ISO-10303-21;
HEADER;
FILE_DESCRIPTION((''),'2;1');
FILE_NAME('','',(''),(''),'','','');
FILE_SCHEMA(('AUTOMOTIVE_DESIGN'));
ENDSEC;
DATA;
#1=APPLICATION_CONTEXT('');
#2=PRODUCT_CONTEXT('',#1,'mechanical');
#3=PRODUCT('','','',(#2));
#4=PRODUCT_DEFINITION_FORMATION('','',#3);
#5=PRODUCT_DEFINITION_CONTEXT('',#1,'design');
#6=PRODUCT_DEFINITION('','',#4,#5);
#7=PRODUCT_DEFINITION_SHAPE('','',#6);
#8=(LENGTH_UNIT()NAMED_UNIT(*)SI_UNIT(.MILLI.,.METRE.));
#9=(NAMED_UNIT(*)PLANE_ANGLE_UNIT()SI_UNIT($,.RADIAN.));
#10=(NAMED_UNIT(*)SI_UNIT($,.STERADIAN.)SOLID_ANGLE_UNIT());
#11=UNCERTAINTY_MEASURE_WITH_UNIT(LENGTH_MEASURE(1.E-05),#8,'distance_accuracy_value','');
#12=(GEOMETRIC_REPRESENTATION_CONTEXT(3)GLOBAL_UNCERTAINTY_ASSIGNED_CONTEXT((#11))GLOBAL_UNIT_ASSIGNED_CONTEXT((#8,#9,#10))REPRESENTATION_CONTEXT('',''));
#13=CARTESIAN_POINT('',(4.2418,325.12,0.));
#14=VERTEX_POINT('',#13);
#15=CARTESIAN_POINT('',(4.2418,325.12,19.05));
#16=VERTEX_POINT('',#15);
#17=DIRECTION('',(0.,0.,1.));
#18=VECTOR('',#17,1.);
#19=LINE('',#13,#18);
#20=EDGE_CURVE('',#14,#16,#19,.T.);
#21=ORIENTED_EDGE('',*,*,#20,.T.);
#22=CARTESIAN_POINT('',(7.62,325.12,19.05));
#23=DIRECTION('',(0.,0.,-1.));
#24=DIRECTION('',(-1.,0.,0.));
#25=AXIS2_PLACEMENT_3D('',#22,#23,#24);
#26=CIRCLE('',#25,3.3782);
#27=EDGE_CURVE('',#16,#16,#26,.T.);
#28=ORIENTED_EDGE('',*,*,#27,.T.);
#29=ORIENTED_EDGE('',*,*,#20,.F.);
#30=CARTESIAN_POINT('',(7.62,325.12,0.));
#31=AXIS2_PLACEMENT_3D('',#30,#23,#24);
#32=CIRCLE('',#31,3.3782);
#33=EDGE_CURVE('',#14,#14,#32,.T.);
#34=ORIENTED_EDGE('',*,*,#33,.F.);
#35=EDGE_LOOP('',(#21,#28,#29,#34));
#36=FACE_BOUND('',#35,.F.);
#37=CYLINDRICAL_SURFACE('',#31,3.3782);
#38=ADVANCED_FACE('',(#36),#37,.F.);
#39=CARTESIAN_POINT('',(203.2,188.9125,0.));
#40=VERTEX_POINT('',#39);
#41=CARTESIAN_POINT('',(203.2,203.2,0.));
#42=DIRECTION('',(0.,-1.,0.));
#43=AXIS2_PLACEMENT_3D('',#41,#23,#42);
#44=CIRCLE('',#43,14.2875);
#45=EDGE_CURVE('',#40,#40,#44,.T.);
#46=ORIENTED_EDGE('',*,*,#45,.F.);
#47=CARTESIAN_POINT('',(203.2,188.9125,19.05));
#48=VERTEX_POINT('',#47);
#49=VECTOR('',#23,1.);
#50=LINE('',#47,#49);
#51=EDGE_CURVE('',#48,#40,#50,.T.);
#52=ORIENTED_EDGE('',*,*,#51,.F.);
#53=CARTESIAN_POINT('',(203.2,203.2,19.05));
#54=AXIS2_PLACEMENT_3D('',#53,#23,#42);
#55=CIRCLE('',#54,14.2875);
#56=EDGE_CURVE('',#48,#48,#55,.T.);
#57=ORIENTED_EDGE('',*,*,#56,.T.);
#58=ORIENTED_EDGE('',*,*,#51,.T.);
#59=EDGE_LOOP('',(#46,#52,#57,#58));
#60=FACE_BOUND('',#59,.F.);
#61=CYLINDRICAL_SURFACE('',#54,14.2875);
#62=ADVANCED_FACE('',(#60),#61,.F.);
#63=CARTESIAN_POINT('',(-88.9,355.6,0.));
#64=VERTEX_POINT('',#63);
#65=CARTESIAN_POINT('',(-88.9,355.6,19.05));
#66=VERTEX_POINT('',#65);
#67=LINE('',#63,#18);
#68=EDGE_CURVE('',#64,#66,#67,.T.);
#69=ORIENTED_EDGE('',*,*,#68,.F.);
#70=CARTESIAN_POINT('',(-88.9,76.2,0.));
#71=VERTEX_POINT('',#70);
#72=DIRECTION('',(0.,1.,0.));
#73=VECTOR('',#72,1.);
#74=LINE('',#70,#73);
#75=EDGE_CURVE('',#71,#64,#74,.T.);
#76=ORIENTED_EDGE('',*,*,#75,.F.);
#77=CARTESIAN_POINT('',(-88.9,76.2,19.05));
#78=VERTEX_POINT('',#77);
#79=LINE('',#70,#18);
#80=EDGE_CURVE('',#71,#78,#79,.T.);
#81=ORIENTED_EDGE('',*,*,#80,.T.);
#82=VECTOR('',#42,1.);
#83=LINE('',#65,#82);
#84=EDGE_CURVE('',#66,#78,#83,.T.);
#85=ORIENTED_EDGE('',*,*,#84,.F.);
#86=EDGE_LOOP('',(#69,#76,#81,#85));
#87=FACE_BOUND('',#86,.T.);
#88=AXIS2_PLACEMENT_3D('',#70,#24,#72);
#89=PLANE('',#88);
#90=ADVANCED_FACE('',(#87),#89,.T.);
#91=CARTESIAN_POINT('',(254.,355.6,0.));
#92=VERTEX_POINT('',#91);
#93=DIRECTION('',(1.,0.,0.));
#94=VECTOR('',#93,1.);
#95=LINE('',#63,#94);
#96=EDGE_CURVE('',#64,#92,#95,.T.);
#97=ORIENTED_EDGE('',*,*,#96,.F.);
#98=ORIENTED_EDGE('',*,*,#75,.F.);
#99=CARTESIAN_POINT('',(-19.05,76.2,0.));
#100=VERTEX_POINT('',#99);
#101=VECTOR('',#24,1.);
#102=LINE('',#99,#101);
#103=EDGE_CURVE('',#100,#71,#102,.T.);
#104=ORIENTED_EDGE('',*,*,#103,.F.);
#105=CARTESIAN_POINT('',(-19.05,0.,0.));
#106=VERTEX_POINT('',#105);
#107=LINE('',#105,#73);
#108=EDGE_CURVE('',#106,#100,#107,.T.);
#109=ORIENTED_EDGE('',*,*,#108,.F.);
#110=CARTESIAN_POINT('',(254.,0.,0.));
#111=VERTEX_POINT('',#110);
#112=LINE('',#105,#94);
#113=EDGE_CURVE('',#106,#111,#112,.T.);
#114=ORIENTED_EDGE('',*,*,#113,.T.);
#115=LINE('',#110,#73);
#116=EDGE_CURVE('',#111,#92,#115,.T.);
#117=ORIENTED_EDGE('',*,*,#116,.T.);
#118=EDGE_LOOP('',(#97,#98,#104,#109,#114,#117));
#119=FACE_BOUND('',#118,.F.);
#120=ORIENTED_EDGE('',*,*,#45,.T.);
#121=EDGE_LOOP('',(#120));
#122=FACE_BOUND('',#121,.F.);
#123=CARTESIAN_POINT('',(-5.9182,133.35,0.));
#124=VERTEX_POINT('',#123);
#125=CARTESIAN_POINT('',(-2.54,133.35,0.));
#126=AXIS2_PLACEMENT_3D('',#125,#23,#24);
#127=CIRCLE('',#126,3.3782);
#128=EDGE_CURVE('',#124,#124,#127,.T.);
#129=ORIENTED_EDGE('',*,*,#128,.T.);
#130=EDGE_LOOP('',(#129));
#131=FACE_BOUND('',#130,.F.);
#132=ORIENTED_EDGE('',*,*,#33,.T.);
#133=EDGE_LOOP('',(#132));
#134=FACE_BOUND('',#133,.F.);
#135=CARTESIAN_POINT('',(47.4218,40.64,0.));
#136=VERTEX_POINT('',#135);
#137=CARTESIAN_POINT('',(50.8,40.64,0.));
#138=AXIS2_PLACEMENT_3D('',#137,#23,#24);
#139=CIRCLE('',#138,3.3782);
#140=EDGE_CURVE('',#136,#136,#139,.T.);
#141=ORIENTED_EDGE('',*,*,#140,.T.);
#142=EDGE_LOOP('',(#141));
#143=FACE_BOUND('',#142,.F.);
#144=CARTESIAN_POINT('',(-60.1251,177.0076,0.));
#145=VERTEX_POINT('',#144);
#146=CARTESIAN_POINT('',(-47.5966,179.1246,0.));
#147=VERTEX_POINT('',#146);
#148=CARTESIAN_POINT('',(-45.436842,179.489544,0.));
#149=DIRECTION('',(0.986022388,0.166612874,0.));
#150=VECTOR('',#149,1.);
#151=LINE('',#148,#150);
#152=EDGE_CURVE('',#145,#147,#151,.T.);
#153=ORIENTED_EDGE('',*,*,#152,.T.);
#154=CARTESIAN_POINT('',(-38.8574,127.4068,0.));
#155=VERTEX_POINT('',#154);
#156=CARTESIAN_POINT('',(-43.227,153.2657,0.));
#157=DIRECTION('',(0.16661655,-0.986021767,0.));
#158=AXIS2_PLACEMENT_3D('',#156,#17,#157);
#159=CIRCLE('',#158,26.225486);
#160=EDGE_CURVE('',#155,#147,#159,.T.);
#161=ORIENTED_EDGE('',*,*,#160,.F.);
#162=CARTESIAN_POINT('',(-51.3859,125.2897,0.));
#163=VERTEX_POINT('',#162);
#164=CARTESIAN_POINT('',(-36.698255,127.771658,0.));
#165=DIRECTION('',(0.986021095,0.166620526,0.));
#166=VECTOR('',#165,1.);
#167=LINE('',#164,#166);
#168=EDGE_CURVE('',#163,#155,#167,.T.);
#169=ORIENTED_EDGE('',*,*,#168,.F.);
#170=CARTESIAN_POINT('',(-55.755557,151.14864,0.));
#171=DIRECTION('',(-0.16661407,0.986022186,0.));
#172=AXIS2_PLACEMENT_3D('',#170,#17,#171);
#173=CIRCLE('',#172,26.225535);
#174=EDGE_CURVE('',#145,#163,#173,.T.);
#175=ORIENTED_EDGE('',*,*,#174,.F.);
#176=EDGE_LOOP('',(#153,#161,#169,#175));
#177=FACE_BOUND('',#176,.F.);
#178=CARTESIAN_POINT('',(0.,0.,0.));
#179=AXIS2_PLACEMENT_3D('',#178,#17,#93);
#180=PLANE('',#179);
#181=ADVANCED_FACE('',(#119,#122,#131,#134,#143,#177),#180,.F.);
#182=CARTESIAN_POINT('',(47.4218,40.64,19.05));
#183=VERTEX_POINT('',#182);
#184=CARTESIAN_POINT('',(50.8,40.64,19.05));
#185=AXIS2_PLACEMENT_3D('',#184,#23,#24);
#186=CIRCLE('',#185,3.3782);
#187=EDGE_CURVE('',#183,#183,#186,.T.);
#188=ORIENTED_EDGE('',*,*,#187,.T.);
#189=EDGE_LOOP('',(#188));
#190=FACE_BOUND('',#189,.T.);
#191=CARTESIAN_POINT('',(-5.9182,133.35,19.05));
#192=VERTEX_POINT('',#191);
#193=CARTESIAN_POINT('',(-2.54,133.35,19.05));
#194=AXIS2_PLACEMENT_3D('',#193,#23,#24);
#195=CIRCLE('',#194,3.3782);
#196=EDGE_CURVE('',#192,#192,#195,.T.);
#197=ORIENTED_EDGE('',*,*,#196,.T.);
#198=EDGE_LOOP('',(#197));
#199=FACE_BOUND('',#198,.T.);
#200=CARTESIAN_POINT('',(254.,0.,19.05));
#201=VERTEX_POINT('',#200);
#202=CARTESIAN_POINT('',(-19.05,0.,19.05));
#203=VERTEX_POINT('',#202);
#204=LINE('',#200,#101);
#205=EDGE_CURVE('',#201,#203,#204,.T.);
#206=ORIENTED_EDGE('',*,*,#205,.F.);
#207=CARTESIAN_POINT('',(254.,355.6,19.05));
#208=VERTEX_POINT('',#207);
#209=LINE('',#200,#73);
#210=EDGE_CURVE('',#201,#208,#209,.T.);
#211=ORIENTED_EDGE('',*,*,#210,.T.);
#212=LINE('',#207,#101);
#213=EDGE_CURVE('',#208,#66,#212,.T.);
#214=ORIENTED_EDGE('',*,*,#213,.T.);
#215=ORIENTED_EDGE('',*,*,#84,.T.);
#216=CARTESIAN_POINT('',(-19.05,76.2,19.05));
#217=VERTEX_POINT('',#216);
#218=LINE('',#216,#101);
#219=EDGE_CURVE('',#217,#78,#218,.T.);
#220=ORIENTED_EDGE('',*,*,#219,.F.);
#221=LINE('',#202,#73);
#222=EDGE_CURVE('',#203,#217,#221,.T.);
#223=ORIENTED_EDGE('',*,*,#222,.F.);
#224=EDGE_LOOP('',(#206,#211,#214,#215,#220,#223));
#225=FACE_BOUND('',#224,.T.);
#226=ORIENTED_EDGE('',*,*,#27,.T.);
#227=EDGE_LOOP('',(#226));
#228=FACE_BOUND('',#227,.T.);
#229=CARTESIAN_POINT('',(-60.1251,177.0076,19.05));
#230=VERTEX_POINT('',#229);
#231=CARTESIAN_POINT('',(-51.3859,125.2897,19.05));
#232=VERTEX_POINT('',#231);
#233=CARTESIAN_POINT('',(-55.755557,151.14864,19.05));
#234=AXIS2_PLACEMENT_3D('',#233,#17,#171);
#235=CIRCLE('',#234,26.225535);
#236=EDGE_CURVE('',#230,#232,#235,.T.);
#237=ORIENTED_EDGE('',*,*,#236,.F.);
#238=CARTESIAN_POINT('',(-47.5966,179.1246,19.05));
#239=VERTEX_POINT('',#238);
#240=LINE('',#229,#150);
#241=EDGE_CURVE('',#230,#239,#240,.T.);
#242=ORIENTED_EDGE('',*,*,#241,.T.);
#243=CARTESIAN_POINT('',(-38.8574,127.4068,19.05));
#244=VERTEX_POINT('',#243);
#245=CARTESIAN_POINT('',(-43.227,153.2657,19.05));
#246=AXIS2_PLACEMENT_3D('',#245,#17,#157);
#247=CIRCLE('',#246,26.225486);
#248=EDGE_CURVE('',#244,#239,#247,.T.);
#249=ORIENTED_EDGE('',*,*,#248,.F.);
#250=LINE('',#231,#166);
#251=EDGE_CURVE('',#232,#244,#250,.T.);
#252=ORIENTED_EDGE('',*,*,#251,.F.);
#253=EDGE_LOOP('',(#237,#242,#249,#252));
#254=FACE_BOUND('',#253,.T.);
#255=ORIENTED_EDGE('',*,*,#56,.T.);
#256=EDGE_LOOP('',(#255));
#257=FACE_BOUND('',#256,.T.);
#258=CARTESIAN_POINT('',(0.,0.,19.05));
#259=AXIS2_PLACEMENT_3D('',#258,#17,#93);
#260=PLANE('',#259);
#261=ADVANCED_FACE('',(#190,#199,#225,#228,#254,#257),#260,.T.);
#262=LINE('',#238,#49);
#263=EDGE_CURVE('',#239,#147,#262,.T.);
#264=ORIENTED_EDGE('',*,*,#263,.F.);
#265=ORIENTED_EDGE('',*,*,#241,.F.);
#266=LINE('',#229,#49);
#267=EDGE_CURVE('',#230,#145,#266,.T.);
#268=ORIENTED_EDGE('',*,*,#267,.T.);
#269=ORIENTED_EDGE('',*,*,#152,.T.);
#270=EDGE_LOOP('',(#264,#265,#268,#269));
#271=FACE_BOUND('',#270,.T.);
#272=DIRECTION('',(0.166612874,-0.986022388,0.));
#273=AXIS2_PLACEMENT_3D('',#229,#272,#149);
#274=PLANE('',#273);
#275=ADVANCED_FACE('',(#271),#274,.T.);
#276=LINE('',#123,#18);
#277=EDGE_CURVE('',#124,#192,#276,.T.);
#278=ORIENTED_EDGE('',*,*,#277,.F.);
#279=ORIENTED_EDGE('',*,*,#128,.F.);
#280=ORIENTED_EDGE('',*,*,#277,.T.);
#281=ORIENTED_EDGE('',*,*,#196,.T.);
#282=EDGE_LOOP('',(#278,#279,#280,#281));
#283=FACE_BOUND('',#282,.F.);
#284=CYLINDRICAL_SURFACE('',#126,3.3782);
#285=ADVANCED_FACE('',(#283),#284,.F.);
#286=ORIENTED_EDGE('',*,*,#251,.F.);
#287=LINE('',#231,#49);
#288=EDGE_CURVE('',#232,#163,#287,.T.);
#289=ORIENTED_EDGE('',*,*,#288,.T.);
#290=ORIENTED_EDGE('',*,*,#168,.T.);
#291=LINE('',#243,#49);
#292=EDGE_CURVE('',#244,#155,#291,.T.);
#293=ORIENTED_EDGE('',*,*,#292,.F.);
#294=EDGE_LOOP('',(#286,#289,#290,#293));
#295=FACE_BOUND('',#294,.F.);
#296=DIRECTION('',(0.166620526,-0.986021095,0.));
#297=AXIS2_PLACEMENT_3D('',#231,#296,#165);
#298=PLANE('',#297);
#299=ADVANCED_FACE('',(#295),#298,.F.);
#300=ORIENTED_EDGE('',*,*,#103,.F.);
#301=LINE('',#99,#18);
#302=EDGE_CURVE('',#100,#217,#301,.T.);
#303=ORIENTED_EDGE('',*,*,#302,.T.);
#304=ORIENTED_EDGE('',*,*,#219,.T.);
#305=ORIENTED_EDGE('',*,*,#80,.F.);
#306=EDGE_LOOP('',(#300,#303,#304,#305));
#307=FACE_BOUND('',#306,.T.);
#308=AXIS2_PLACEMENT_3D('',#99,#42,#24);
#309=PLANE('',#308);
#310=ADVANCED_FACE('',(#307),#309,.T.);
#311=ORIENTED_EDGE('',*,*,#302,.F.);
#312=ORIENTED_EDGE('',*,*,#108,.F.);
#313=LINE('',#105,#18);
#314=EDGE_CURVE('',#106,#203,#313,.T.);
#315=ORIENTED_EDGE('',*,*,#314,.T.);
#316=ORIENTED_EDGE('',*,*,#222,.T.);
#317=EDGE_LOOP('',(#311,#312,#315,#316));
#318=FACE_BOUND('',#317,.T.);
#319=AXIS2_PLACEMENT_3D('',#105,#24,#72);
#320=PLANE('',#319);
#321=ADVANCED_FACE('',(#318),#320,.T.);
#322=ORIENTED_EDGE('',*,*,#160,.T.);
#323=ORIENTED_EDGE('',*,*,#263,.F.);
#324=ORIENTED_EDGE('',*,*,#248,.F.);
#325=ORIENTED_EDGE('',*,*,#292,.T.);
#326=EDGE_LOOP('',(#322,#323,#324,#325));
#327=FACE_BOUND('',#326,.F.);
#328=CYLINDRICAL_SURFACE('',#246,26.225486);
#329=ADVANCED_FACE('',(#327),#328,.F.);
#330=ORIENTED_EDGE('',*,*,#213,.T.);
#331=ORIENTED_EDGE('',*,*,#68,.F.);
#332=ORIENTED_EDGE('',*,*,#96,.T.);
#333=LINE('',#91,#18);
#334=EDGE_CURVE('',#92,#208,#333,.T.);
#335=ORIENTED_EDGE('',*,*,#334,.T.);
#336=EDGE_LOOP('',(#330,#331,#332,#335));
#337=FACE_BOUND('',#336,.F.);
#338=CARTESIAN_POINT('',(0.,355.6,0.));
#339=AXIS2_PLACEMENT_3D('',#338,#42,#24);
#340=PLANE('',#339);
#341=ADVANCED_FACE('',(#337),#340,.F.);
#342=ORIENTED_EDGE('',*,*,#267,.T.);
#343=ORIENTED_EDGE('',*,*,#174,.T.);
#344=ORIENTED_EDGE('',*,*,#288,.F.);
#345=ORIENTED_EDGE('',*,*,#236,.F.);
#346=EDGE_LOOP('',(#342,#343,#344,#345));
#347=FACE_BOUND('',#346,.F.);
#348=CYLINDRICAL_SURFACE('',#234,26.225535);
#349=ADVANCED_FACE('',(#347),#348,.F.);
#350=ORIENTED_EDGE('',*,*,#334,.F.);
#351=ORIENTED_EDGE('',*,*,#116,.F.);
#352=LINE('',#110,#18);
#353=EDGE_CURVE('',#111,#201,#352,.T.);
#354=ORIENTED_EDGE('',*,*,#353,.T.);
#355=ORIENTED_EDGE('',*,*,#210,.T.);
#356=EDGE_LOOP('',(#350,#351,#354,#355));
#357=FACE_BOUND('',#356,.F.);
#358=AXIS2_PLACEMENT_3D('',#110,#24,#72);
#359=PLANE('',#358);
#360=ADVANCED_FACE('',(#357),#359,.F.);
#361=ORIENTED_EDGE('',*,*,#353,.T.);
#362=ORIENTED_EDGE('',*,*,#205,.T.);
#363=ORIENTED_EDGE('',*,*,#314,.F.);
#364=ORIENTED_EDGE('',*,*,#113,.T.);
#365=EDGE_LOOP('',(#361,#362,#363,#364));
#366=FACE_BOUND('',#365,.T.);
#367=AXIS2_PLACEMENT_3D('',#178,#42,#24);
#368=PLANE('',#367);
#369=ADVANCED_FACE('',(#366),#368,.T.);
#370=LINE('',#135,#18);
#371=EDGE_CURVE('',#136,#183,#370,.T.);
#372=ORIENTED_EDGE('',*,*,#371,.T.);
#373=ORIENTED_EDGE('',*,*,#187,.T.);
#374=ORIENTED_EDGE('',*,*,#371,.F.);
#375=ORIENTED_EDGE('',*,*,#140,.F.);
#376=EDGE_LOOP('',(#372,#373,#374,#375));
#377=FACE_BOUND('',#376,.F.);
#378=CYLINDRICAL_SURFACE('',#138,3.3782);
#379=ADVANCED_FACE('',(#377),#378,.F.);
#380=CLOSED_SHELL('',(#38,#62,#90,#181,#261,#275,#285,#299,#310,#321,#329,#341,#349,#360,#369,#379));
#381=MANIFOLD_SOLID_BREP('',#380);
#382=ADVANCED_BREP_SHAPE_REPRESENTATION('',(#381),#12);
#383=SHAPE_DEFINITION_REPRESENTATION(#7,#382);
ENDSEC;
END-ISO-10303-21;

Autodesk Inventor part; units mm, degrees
ref_plane "YZ Plane" through (0, 0, 0) normal (1, 0, 0) x (0, 1, 0)
ref_plane "XZ Plane" through (0, 0, 0) normal (0, 1, 0) x (-1, 0, 0)
ref_plane "XY Plane" through (0, 0, 0) normal (0, 0, 1) x (1, 0, 0)
sketch "Neo Motor Mount" plane through (0, 0, 0) normal (0, 0, 1) x (1, 0, 0)
  line L0 (-30.6788, 181.9654) -> (-23.3726, 145.6169) construction
  line L1 (-43.3455, 180.5359) -> (-35.6081, 142.0424) construction
  arc A0 (-42.1579, 174.6277) -> (-41.2194, 169.9586) centre (-41.6886, 172.2931) ccw
  line L2 (-35.6081, 142.0424) -> (-32.6003, 127.0788) construction
  line L3 (-23.3726, 145.6169) -> (-20.1494, 129.5815) construction
  arc A1 (-35.0803, 139.4164) -> (-34.1417, 134.7473) centre (-34.611, 137.0818) ccw
  arc A2 (-21.6908, 137.25) -> (-22.6293, 141.9191) centre (-22.16, 139.5845) ccw
  line L4 (-35.0803, 139.4164) -> (-22.6293, 141.9191)
  line L5 (-34.1417, 134.7473) -> (-21.6908, 137.25)
  arc A3 (-77.3692, 167.55) -> (-76.4307, 162.8809) centre (-76.9, 165.2155) ccw
  arc A4 (-63.9797, 165.3836) -> (-64.9183, 170.0527) centre (-64.449, 167.7182) ccw
  arc A5 (-70.2916, 132.3387) -> (-69.3531, 127.6696) centre (-69.8223, 130.0042) ccw
  arc A6 (-56.9021, 130.1723) -> (-57.8406, 134.8414) centre (-57.3714, 132.5069) ccw
  line L6 (-70.2916, 132.3387) -> (-57.8406, 134.8414)
  line L7 (-69.3531, 127.6696) -> (-56.9021, 130.1723)
  line L8 (-77.3692, 167.55) -> (-64.9183, 170.0527)
  line L9 (-76.4307, 162.8809) -> (-63.9797, 165.3836)
  arc A7 (-28.7684, 172.4613) -> (-29.7069, 177.1304) centre (-29.2377, 174.7958) ccw
  line L10 (-42.1579, 174.6277) -> (-29.7069, 177.1304)
  line L11 (-41.2194, 169.9586) -> (-28.7684, 172.4613)
  line L12 (-45.711, 165.6236) -> (-40.743, 140.9077) construction
  line L13 (-58.0667, 162.6468) -> (-53.1939, 138.405) construction
  line L14 (-57.5073, 159.8642) -> (-45.1815, 162.9896)
  line L15 (-53.7533, 141.1877) -> (-41.4275, 144.3131)
  arc A8 (-57.5073, 159.8642) -> (-52.8309, 141.4216) centre (-55.6303, 150.5259) ccw
  arc A9 (-46.2915, 152.4) -> (-46.438, 153.0215) centre (-55.6303, 150.5259) ccw
  arc A10 (-49.53, 157.8411) -> (-51.2107, 158.9635) centre (-55.6303, 150.5259) ccw
  arc A11 (-52.747, 152.4) -> (-52.6427, 151.7743) centre (-43.3045, 153.6514) ccw
  arc A12 (-49.53, 160.8603) -> (-51.2107, 158.9635) centre (-43.3045, 153.6514) ccw
  arc A13 (-41.4275, 144.3131) -> (-46.1039, 162.7557) centre (-43.3045, 153.6514) ccw
  dimension "d55" = 4.7625
  dimension "d57" = 4.7625
  dimension "d58" = 4.7625
  dimension "d61" = 4.7625
  dimension "d62" = 4.7625
  dimension "d63" = 4.7625
  dimension "d64" = 4.7625
  dimension "d65" = 4.7625
  dimension "d67" = 24.7159
sketch "Sketch1" plane through (0, 0, 0) normal (0, 0, 1) x (1, 0, 0)
  line L0 (0, 0) -> (254, 0)
  line L1 (254, 0) -> (254, 355.6)
  line L2 (254, 355.6) -> (0, 355.6)
  line L3 (0, 355.6) -> (-88.9, 355.6)
  line L4 (-88.9, 355.6) -> (-88.9, 203.2)
  line L5 (0, 0) -> (-19.05, 0)
  line L6 (-19.05, 0) -> (-19.05, 76.2)
  line L7 (-19.05, 76.2) -> (-88.9, 76.2)
  line L8 (-88.9, 76.2) -> (-88.9, 203.2)
  circle A0 centre (226.06, 181.61) radius 3.3782
  dimension "d29" = 6.7564
  dimension "d0" = 254
  dimension "d1" = 355.6
  dimension "d17" = 88.9
  dimension "d18" = 69.85
  dimension "d19" = 76.2
  dimension "d21" = 6.7564
  dimension "d24" = 173.99
  dimension "d28" = 314.96
extrude "Extrusion1" add sketch "Sketch1" along normal blind 19.05 contours L5 L6 L7 L8 L4 L3 L2 L1 L0 | A0
sketch "Sketch2" plane through (0, 0, 19.05) normal (0, 0, 1) x (1, 0, 0)
  line L0 (0, 0) -> (254, 0) projected
  line L1 (254, 0) -> (254, 355.6) projected
  point P0 (203.2, 203.2)
  dimension "d11" = 203.2
  dimension "d12" = 50.8
hole "Hole1" at (203.2, 203.2, 19.05) direction (0, 0, -1) diameter 28.575 end through all
sketch "Sketch3" plane through (0, 0, 19.05) normal (0, 0, 1) x (1, 0, 0)
  point P0 (0, 0)
sketch "Sketch4" plane through (0, 0, 19.05) normal (0, 0, 1) x (1, 0, 0)
  point P0 (0, 0)
sketch "Sketch5" plane through (0, 0, 0) normal (0, 0, -1) x (-1, 0, 0)
  circle A0 centre (-7.62, 325.12) radius 3.3782
  circle A1 centre (2.54, 133.35) radius 3.3782
  circle A2 centre (-50.8, 40.64) radius 3.3782
  line L0 (-254, 0) -> (-254, 355.6) projected
  line L1 (-254, 355.6) -> (88.9, 355.6) projected
  line L2 (88.9, 76.2) -> (19.05, 76.2) construction
  line L3 (19.05, 76.2) -> (19.05, 374.6855) construction
  line L4 (19.05, 76.2) -> (19.05, 0) construction
  line L5 (19.05, 0) -> (-254, 0) construction
  point P0 (0, 0)
  dimension "d29" = 6.7564
  dimension "d30" = 6.7564
  dimension "d31" = 6.7564
  dimension "d32" = 246.38
  dimension "d33" = 256.54
  dimension "d34" = 203.2
  dimension "d35" = 30.48
  dimension "d36" = 222.25
  dimension "d37" = 314.96
  dimension "d40" = 16.51
  dimension "d42" = 26.67
  dimension "d43" = 40.64
  dimension "d44" = 133.35
  dimension "d45" = 325.12
  dimension "d46" = 69.85
extrude "Extrusion2" cut sketch "Sketch5" against normal through all
sketch "Sketch6" plane through (0, 0, 19.05) normal (0, 0, 1) x (1, 0, 0)
  line L0 (-114.6965, 152.4) -> (136.1638, 152.4) construction
  line L1 (-88.9, 355.6) -> (-88.9, 76.2) construction
  line L2 (-88.9, 76.2) -> (-19.05, 76.2) construction
  circle A0 centre (203.2, 203.2) radius 14.2875 construction
  line L3 (-49.53, 152.4) -> (203.2, 203.2) construction
  line L4 (-49.53, 152.4) -> (-245.9533, 112.9179) construction
  line L5 (-49.53, 44.7746) -> (-49.53, 143.2108) construction
  line L6 (-49.53, 146.4424) -> (-49.53, 372.917) construction
  line L7 (-58.0667, 162.6468) -> (-53.1939, 138.405) construction
  line L8 (-45.711, 165.6236) -> (-40.743, 140.9077) construction
  arc A1 (-38.8574, 127.4068) -> (-47.5966, 179.1246) centre (-43.227, 153.2657) ccw
  arc A2 (-60.1251, 177.0076) -> (-51.3859, 125.2897) centre (-55.7555, 151.1486) ccw
  line L9 (-60.1251, 177.0076) -> (-47.5966, 179.1246)
  line L10 (-51.3859, 125.2897) -> (-38.8574, 127.4068)
  point P0 (0, 0)
  point P1 (-57.5073, 159.8642)
  point P2 (-45.1815, 162.9896)
  point P3 (-53.7533, 141.1877)
  point P4 (-41.4275, 144.3131)
  point P5 (-47.5966, 179.1246)
  dimension "d48" = 76.2
  dimension "d83" = 24.7159
extrude "Extrusion4" cut sketch "Sketch6" against normal through all
properties part number "Shaft Mount with NEO mount" material "Wood (Maple)"
